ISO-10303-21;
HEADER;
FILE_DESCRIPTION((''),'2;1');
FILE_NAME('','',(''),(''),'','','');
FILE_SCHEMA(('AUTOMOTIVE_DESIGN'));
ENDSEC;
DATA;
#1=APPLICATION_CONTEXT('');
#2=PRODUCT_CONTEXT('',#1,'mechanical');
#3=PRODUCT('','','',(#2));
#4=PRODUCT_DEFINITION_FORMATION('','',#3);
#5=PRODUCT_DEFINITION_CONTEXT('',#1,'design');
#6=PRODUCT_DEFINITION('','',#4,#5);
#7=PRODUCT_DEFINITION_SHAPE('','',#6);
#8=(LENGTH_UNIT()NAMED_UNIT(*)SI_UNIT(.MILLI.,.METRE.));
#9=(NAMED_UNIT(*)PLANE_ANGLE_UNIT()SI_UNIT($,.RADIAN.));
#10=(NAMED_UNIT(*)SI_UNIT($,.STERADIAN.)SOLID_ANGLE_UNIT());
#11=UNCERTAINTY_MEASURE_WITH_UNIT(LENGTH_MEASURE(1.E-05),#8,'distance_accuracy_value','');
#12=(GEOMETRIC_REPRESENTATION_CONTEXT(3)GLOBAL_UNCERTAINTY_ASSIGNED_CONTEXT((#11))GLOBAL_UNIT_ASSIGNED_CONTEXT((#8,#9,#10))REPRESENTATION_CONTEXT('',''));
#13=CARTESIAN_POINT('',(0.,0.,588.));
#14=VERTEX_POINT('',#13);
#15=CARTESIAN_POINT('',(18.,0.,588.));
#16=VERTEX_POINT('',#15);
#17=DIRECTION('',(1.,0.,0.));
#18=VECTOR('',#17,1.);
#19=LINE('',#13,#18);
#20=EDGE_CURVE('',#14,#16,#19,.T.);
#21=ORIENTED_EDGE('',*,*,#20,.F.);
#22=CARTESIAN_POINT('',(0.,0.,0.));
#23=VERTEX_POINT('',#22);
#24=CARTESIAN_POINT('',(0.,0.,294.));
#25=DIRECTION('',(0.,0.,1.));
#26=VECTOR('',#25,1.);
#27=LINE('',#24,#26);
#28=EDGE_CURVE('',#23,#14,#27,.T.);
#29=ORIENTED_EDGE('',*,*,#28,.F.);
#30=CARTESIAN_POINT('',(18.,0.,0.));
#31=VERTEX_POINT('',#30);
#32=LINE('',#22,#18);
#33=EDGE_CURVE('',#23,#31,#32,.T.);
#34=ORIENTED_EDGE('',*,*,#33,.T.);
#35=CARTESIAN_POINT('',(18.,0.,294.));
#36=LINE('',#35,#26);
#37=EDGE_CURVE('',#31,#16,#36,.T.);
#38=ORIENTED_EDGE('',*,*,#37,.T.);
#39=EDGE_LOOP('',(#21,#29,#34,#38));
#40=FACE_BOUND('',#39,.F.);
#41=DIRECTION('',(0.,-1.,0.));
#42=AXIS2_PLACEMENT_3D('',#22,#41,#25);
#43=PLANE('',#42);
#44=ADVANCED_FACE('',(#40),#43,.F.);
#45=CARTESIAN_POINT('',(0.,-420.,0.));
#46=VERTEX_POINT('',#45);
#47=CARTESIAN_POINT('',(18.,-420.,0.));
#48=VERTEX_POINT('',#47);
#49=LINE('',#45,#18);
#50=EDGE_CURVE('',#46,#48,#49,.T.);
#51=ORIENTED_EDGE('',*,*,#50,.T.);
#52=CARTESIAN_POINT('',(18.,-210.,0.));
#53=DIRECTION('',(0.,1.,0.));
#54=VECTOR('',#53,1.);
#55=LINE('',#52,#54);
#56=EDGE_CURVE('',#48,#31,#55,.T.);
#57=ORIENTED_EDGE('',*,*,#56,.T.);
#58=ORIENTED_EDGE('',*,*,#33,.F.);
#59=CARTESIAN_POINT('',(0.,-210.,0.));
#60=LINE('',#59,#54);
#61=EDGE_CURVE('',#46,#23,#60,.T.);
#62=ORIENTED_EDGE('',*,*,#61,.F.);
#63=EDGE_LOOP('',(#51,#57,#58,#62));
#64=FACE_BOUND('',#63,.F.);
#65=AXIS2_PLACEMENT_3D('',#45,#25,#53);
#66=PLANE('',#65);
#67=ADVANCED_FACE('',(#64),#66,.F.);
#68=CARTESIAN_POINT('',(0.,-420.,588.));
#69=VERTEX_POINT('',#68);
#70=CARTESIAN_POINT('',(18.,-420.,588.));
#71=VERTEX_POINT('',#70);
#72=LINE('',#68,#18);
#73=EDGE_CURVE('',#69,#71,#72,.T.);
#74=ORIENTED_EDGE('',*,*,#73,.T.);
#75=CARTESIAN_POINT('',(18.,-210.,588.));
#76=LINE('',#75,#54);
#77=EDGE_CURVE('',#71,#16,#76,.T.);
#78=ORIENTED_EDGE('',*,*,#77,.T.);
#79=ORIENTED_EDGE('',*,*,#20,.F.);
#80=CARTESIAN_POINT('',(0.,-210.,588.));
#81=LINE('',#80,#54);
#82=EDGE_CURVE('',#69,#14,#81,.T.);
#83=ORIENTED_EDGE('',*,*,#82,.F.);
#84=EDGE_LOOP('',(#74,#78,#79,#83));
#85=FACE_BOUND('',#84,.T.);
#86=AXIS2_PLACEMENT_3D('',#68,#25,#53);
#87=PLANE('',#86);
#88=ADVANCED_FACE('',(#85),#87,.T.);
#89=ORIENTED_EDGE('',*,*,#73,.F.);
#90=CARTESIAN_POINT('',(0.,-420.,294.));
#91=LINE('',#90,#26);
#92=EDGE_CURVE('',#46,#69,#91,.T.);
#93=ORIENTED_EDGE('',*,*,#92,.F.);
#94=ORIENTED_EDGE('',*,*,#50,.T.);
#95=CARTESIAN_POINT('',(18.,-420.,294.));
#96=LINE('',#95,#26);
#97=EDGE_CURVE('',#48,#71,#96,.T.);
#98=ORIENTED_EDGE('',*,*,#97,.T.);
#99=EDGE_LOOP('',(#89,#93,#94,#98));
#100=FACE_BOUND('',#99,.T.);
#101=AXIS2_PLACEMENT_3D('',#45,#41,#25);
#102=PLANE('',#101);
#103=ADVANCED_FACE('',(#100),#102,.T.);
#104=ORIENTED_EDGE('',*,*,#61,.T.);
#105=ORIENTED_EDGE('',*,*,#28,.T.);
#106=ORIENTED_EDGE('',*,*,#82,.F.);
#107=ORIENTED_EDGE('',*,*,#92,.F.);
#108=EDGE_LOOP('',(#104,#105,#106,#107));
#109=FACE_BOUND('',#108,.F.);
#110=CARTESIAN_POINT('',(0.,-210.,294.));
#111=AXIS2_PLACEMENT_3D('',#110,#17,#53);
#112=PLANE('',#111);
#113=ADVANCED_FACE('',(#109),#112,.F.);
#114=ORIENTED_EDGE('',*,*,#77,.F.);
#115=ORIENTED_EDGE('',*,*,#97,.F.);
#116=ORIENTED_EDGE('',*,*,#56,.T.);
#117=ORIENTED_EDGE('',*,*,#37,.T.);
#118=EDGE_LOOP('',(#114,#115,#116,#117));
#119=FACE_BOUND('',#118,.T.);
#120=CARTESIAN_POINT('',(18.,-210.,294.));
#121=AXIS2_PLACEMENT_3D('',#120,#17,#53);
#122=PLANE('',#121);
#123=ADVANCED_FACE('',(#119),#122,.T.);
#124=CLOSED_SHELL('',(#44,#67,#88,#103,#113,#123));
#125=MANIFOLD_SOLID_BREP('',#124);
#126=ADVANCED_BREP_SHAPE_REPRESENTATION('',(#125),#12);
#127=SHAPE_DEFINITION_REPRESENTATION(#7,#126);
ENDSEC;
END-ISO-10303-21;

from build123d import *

# Parameters (mm, degrees)
SKETCH_W  = 420
SKETCH_H  = 588
PAD_DEPTH = 18


with BuildPart() as part:
    # Sketch → Pad (new body)
    with BuildSketch(Plane.YZ):
        with Locations((-210, 294)):
            Rectangle(SKETCH_W, SKETCH_H)
    extrude(amount=PAD_DEPTH)


solid = part.part
